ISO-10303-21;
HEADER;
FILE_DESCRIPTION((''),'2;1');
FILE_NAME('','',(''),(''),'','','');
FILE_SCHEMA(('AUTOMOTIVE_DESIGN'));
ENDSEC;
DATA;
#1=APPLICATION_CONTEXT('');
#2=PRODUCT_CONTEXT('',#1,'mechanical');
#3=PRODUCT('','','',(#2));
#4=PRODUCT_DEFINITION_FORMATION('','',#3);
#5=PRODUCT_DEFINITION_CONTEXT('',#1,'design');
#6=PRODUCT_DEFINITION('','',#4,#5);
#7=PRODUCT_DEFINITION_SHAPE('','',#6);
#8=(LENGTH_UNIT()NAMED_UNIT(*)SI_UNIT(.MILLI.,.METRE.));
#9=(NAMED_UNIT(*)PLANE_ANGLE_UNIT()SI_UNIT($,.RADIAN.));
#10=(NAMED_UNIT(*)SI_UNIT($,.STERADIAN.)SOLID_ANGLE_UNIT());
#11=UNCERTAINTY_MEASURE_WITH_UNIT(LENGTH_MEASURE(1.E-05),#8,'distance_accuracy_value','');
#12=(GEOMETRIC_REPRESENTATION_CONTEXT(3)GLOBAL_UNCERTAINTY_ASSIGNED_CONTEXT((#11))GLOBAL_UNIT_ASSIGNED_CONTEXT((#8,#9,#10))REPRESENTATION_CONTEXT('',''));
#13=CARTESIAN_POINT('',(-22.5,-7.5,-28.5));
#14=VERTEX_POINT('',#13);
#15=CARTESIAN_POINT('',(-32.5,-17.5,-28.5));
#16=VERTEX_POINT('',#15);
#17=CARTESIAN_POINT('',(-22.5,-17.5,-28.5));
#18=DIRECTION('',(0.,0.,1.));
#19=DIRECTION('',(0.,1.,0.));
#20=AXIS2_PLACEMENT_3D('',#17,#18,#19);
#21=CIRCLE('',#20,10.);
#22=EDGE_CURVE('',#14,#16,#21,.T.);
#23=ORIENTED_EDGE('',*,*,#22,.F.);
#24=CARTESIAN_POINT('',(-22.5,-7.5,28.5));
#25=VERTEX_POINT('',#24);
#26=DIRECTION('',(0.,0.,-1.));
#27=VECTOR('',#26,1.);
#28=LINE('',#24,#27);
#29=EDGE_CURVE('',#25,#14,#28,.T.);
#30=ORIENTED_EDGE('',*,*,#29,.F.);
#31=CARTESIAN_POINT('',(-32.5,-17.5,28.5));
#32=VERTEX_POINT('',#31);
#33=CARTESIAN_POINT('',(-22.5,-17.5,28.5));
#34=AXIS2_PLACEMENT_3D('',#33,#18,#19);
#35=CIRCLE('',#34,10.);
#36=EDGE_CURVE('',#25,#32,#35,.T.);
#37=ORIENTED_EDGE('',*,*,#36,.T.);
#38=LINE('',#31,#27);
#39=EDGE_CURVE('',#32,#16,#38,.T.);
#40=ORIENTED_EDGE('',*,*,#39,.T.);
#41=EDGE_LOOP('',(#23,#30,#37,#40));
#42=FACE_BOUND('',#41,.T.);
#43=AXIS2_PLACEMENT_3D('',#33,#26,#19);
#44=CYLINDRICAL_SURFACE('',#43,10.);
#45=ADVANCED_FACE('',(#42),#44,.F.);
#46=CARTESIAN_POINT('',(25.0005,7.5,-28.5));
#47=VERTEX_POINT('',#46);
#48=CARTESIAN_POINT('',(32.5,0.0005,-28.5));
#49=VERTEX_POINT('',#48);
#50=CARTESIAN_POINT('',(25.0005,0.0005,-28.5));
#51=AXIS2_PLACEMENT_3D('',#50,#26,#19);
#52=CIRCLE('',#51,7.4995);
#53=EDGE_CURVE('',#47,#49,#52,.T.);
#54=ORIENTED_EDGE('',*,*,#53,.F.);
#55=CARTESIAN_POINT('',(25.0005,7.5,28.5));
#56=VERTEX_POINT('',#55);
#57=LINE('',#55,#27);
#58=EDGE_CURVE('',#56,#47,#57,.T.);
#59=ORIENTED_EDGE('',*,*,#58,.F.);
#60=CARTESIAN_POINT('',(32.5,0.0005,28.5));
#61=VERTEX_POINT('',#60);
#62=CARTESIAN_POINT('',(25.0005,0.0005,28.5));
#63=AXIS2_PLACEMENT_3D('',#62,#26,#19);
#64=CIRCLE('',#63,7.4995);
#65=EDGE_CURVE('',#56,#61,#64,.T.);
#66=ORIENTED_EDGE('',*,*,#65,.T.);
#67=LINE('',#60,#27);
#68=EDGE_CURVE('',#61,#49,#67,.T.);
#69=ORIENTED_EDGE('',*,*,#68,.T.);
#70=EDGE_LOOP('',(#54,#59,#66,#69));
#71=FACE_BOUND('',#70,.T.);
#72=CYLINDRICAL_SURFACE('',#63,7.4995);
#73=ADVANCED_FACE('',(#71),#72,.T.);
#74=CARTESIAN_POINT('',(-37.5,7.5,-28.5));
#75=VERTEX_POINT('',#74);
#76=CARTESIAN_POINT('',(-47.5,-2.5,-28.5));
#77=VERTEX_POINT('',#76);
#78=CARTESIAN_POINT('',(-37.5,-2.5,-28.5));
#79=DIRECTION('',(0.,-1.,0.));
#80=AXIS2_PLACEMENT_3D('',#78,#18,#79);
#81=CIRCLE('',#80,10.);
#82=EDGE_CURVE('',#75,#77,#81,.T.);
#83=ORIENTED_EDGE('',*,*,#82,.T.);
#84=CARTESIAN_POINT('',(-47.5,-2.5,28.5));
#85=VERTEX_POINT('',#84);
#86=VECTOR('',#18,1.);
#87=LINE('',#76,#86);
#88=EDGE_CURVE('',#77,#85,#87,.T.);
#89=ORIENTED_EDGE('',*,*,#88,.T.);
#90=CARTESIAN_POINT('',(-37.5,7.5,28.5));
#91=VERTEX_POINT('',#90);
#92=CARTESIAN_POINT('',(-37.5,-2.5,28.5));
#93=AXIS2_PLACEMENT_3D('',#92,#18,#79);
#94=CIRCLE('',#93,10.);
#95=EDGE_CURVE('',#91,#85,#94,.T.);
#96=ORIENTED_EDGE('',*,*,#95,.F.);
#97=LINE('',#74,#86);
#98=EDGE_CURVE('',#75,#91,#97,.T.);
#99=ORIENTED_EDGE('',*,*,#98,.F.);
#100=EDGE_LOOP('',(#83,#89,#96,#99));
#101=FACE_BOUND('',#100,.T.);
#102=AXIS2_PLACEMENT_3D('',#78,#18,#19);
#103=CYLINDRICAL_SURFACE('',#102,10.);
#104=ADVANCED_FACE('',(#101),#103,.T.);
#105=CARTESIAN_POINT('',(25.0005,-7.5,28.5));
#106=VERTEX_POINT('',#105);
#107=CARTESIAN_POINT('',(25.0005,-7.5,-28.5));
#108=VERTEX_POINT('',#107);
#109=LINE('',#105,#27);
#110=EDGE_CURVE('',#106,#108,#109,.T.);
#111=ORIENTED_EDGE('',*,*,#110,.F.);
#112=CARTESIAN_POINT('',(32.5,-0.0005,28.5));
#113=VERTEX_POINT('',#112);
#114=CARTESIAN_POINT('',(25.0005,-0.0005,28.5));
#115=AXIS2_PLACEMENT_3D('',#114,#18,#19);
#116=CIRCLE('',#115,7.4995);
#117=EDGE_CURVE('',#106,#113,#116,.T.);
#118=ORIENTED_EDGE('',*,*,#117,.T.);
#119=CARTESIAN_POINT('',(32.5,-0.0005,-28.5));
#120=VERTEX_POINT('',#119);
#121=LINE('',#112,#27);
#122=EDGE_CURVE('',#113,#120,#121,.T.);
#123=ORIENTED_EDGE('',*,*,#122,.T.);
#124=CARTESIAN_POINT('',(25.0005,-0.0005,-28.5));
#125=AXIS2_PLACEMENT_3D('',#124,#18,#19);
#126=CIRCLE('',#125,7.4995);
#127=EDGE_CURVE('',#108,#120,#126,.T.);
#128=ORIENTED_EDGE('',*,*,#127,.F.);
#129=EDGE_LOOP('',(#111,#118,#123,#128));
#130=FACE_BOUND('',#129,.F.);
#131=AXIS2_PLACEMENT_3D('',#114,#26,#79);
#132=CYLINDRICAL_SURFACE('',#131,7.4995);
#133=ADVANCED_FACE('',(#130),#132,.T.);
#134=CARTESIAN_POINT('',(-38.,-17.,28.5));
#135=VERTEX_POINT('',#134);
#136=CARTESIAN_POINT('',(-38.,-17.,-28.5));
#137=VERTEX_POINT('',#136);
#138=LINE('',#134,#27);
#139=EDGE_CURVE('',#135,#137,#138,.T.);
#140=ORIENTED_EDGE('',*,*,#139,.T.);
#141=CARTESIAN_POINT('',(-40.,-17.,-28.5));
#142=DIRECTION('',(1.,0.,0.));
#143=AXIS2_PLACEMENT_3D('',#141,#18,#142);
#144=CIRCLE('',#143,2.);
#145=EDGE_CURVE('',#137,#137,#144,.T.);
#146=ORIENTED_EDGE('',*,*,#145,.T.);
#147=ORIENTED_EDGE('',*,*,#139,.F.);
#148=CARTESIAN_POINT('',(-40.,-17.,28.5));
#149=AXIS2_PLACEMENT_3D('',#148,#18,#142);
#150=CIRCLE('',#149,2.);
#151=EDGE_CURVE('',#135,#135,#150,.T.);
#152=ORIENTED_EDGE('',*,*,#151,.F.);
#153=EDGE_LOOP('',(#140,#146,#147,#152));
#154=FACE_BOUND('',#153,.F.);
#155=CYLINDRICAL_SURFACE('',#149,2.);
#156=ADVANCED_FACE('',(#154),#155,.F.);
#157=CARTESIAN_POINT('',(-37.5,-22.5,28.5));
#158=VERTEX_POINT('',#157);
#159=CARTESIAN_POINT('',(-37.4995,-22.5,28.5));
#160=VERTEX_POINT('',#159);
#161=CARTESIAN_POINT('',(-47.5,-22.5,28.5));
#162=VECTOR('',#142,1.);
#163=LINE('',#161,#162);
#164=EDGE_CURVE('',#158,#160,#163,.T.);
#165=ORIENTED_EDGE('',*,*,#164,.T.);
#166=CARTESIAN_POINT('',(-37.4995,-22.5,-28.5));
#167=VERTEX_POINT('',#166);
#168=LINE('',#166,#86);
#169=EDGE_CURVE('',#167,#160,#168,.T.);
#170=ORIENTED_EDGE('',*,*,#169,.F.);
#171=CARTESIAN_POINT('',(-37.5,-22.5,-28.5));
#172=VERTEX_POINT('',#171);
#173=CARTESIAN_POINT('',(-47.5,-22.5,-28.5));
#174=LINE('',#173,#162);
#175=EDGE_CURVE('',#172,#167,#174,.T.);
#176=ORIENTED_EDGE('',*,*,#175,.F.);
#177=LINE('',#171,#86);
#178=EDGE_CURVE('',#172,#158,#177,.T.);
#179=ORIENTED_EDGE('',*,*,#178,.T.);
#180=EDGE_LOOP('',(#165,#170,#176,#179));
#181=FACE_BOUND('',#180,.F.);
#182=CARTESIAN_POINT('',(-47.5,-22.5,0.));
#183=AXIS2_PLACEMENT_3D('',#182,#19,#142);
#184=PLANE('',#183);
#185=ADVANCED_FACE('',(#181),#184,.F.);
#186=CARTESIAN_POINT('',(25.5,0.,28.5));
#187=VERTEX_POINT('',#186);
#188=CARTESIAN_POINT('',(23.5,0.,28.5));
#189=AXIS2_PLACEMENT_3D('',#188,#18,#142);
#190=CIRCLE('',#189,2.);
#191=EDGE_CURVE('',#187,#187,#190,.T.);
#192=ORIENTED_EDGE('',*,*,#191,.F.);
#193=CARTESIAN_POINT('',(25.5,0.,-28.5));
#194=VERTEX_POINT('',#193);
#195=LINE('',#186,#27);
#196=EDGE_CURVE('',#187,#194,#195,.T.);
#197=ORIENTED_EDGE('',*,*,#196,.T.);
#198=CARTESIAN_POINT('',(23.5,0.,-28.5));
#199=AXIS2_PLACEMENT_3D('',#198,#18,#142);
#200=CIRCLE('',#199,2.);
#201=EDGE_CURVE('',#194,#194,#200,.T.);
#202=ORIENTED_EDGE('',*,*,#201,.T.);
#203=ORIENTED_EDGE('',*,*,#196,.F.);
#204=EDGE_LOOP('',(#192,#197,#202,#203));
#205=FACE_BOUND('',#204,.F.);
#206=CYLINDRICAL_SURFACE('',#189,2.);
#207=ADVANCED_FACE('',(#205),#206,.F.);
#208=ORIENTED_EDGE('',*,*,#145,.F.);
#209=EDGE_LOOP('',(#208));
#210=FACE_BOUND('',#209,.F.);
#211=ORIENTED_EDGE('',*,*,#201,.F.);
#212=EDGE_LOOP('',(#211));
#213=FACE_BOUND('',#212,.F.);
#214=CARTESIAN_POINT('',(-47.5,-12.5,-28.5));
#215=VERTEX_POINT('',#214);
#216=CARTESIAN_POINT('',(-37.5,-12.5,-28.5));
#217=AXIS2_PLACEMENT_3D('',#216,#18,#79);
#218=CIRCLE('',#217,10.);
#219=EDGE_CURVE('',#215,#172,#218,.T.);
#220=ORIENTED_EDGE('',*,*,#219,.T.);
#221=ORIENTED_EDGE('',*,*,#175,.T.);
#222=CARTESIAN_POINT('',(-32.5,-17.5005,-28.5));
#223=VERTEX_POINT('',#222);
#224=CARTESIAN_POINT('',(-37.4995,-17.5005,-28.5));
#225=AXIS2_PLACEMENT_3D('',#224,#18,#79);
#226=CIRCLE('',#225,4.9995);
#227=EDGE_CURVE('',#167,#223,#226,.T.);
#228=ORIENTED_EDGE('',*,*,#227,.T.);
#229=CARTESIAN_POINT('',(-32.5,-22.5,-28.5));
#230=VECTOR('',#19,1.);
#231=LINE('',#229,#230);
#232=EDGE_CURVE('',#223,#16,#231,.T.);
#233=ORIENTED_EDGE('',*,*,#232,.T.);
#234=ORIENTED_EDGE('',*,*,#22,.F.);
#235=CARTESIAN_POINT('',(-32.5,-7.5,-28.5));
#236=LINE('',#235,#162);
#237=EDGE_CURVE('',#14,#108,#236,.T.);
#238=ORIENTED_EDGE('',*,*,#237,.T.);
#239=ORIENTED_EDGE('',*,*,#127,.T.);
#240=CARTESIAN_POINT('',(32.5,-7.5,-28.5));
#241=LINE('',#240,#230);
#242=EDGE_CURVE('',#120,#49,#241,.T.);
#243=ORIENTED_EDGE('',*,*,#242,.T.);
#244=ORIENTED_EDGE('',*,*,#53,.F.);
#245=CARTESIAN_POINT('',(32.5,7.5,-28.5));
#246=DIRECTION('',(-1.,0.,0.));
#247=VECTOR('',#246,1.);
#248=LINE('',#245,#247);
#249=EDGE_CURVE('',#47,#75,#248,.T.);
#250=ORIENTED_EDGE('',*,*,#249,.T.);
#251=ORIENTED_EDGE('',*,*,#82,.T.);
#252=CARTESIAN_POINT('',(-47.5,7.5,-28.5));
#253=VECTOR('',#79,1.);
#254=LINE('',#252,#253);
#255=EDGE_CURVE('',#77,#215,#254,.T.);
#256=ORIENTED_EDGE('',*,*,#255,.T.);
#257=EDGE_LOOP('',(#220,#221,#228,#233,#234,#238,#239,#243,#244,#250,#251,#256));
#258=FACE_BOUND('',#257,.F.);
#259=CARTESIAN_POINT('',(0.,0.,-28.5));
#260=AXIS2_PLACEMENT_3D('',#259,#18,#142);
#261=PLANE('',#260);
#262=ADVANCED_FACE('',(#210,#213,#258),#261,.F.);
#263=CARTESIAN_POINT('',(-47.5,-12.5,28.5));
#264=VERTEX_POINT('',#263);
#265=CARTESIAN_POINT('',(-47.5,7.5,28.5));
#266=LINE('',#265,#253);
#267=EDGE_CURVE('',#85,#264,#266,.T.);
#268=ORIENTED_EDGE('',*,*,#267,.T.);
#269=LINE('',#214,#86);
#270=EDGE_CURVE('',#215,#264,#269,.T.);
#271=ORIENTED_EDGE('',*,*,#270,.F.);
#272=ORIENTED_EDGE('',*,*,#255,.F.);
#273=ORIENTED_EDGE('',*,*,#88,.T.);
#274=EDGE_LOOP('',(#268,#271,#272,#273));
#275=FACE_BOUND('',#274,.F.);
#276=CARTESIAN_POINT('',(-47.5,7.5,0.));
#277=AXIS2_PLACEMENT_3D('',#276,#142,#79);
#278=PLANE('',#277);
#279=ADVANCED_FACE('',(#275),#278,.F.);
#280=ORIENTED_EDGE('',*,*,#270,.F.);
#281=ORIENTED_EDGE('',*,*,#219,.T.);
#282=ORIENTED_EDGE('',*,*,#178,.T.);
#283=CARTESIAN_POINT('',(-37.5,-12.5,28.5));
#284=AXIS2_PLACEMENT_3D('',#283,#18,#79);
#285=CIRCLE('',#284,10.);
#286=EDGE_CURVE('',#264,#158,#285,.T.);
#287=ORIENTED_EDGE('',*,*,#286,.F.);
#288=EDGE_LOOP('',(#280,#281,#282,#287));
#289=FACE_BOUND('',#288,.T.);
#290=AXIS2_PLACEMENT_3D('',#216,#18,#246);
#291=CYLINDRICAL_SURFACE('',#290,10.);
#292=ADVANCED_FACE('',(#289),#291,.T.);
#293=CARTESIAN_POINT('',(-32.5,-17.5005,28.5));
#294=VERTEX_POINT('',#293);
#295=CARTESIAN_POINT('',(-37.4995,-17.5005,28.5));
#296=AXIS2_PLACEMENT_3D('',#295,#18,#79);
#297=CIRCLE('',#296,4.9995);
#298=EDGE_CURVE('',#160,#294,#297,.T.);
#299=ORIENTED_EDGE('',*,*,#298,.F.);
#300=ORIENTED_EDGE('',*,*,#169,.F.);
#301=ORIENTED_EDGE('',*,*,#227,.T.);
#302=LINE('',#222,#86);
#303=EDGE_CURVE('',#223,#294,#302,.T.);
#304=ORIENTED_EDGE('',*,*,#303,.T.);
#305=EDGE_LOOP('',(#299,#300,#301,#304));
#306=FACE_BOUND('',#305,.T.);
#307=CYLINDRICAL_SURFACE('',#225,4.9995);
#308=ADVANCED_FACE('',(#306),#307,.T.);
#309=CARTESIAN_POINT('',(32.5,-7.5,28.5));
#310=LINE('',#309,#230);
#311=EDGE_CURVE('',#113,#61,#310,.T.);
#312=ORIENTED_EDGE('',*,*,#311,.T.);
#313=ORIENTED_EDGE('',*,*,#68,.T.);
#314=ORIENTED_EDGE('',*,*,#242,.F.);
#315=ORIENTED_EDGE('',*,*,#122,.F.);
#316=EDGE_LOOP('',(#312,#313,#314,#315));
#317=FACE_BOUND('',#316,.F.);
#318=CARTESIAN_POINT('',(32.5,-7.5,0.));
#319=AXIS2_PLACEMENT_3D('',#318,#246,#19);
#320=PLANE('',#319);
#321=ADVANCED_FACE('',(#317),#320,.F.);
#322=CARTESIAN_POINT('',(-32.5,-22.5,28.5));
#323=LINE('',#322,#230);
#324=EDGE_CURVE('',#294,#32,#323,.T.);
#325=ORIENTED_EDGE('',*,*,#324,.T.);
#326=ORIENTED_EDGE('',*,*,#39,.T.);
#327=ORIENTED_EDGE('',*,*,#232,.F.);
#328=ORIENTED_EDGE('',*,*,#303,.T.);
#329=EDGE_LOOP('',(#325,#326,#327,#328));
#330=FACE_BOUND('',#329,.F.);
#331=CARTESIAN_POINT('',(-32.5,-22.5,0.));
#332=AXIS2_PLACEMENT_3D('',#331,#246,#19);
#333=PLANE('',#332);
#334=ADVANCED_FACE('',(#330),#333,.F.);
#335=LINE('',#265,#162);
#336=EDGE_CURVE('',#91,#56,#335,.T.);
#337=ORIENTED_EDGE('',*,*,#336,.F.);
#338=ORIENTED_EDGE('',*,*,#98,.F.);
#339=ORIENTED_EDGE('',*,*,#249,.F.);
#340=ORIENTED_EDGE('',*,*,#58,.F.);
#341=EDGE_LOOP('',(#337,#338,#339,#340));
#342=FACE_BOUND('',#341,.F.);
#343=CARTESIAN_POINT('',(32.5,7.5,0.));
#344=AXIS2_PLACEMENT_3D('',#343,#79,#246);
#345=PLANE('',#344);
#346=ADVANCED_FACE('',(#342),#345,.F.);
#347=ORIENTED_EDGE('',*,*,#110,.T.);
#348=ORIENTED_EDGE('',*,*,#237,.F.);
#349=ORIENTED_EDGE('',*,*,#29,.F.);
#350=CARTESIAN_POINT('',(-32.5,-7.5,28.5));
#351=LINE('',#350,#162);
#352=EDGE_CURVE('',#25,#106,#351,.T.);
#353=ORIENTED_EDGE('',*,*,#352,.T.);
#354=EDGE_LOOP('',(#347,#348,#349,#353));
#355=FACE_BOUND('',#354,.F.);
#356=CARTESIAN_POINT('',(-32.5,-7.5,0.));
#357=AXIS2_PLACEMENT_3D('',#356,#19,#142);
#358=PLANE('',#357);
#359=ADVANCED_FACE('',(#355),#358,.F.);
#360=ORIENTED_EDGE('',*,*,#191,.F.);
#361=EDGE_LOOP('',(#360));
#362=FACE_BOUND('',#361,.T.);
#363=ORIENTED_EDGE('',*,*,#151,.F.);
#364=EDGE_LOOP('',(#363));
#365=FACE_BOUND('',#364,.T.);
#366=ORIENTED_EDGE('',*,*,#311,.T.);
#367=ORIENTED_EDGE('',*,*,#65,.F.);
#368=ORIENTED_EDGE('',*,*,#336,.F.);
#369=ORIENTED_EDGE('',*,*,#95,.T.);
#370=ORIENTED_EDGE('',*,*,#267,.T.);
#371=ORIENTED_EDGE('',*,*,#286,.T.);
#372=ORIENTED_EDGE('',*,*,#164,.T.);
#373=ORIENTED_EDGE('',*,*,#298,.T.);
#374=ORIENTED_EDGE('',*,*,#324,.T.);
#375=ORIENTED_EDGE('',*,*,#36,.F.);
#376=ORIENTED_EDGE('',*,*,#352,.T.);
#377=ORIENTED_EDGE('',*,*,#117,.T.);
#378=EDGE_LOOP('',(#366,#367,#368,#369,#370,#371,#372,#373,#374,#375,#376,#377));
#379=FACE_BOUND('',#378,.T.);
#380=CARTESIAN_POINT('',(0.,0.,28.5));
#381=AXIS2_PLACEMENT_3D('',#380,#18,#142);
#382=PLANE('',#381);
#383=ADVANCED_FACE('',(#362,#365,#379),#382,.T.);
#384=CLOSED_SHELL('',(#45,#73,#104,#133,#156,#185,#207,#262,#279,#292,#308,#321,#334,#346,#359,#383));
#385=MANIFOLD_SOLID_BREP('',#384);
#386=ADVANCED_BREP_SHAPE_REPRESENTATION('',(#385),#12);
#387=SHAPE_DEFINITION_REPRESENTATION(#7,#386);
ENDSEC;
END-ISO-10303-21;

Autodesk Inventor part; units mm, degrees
ref_plane "XZ Plane" through (0, 0, 0) normal (0, 1, 0) x (-1, 0, 0)
ref_plane "XY Plane" through (0, 0, 0) normal (0, 0, 1) x (1, 0, 0)
sketch "Эскиз1" plane through (0, 0, 0) normal (0, 0, 1) x (1, 0, 0)
  line L0 (-32.5, -7.5) -> (32.5, -7.5)
  line L1 (32.5, -7.5) -> (32.5, 7.5)
  line L2 (32.5, 7.5) -> (-32.5, 7.5)
  line L3 (-32.5, -7.5) -> (32.5, 7.5) construction
  line L4 (32.5, -7.5) -> (-32.5, 7.5) construction
  line L5 (-32.5, 7.5) -> (-47.5, 7.5)
  line L6 (-47.5, 7.5) -> (-47.5, -22.5)
  line L7 (-47.5, -22.5) -> (-32.5, -22.5)
  line L8 (-32.5, -22.5) -> (-32.5, -7.5)
  line L9 (-32.5, -7.5) -> (-32.5, 7.5)
  point P0 (0, 0)
  dimension "d5" = 65
  dimension "d6" = 15
  dimension "d7" = 30
  dimension "d8" = 15
extrude "Выдавливание1" add sketch "Эскиз1" along normal mid plane 57
sketch "Эскиз2" plane through (0, 0, 28.5) normal (0, 0, 1) x (1, 0, 0)
  circle A0 centre (-40, -17) radius 2
  circle A1 centre (23.5, 0) radius 2
  line L0 (-47.5, -22.5) -> (-32.5, -22.5) projected
  line L1 (-40, -22.5) -> (-40, 7.5) construction
  line L2 (32.5, 7.5) -> (-47.5, 7.5) projected
  line L3 (32.5, -7.5) -> (32.5, 7.5) projected
  circle A2 centre (23.5, 0) radius 2
  point P0 (0, 0)
  dimension "d9" = 4
  dimension "d10" = 5.5
  dimension "d17" = 9
extrude "Выдавливание2" cut sketch "Эскиз2" against normal up to surface (57 mm away)
fillet "Сопряжение1" radius 10 3 edges at (-47.5, 7.5, 0) (-47.5, -22.5, 0) (-32.5, -7.5, 0)
fillet "Сопряжение2" radius 5 1 edges at (-32.5, -22.5, 0)
fillet "Сопряжение4" radius 7.5 2 edges at (32.5, 7.5, 0) (32.5, -7.5, 0)
properties part number "Фиксатор головы"
